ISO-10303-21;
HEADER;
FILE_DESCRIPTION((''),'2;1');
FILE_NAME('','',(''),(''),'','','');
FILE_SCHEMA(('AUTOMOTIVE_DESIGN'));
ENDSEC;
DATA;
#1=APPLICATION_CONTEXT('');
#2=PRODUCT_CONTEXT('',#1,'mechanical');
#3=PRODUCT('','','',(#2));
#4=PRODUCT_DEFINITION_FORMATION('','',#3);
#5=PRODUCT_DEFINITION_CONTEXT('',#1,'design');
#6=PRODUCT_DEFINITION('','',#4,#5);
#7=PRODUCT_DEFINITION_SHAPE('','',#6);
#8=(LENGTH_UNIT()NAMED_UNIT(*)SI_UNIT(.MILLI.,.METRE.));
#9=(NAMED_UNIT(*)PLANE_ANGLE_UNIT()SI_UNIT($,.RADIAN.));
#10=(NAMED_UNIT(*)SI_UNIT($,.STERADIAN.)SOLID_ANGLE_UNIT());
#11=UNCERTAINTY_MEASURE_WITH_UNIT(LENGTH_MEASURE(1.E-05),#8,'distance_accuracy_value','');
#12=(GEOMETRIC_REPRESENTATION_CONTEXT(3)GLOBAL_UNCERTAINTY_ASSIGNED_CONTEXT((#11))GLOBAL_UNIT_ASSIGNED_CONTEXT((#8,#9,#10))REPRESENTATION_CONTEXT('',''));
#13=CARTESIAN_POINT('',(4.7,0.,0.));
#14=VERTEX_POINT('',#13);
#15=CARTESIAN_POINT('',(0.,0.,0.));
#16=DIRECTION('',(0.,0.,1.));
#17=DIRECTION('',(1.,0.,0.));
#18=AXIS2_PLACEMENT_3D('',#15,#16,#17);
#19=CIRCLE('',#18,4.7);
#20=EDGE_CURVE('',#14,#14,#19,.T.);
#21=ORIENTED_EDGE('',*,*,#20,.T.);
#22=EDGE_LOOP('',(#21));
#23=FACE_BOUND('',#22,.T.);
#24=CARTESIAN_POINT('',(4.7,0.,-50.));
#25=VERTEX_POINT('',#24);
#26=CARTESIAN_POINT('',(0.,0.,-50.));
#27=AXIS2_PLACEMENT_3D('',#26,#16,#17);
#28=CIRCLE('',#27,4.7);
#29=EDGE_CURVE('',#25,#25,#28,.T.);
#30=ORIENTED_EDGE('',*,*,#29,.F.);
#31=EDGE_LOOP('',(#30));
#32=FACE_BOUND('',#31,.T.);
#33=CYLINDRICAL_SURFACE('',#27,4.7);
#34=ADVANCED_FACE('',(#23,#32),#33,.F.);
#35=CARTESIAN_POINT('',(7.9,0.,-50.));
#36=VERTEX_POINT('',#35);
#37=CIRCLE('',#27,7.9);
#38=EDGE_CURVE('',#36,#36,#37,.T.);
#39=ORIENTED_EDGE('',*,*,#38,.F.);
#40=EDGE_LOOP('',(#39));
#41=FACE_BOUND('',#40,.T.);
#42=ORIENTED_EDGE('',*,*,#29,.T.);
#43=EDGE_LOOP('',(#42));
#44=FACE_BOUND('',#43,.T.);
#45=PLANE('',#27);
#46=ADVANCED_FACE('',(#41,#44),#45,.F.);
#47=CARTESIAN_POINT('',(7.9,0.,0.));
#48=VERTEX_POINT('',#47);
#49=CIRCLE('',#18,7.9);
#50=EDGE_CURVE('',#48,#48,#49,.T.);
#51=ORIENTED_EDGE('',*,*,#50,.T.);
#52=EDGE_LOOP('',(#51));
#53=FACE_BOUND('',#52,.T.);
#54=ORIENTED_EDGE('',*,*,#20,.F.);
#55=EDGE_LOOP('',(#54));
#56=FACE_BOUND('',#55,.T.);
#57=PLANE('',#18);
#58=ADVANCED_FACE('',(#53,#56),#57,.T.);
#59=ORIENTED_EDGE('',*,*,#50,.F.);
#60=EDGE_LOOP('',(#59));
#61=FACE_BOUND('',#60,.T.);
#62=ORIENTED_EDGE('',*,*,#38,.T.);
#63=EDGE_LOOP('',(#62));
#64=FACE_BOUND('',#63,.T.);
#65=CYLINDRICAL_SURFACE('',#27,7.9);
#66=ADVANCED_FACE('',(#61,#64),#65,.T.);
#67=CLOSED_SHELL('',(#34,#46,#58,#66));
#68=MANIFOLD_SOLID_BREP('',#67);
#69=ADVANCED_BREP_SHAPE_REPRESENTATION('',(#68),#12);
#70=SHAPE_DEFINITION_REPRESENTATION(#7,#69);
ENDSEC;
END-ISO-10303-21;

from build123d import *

# Parameters (mm, degrees)
SKETCH1_R           = 7.9
SKETCH1_R_2         = 4.7
BOSS_EXTRUDE1_DEPTH = 50


with BuildPart() as part:
    # Sketch1 → Boss-Extrude1 (new body)
    with BuildSketch(Plane.XY):
        Circle(SKETCH1_R)
        Circle(SKETCH1_R_2, mode=Mode.SUBTRACT)
    extrude(amount=-BOSS_EXTRUDE1_DEPTH)


solid = part.part
